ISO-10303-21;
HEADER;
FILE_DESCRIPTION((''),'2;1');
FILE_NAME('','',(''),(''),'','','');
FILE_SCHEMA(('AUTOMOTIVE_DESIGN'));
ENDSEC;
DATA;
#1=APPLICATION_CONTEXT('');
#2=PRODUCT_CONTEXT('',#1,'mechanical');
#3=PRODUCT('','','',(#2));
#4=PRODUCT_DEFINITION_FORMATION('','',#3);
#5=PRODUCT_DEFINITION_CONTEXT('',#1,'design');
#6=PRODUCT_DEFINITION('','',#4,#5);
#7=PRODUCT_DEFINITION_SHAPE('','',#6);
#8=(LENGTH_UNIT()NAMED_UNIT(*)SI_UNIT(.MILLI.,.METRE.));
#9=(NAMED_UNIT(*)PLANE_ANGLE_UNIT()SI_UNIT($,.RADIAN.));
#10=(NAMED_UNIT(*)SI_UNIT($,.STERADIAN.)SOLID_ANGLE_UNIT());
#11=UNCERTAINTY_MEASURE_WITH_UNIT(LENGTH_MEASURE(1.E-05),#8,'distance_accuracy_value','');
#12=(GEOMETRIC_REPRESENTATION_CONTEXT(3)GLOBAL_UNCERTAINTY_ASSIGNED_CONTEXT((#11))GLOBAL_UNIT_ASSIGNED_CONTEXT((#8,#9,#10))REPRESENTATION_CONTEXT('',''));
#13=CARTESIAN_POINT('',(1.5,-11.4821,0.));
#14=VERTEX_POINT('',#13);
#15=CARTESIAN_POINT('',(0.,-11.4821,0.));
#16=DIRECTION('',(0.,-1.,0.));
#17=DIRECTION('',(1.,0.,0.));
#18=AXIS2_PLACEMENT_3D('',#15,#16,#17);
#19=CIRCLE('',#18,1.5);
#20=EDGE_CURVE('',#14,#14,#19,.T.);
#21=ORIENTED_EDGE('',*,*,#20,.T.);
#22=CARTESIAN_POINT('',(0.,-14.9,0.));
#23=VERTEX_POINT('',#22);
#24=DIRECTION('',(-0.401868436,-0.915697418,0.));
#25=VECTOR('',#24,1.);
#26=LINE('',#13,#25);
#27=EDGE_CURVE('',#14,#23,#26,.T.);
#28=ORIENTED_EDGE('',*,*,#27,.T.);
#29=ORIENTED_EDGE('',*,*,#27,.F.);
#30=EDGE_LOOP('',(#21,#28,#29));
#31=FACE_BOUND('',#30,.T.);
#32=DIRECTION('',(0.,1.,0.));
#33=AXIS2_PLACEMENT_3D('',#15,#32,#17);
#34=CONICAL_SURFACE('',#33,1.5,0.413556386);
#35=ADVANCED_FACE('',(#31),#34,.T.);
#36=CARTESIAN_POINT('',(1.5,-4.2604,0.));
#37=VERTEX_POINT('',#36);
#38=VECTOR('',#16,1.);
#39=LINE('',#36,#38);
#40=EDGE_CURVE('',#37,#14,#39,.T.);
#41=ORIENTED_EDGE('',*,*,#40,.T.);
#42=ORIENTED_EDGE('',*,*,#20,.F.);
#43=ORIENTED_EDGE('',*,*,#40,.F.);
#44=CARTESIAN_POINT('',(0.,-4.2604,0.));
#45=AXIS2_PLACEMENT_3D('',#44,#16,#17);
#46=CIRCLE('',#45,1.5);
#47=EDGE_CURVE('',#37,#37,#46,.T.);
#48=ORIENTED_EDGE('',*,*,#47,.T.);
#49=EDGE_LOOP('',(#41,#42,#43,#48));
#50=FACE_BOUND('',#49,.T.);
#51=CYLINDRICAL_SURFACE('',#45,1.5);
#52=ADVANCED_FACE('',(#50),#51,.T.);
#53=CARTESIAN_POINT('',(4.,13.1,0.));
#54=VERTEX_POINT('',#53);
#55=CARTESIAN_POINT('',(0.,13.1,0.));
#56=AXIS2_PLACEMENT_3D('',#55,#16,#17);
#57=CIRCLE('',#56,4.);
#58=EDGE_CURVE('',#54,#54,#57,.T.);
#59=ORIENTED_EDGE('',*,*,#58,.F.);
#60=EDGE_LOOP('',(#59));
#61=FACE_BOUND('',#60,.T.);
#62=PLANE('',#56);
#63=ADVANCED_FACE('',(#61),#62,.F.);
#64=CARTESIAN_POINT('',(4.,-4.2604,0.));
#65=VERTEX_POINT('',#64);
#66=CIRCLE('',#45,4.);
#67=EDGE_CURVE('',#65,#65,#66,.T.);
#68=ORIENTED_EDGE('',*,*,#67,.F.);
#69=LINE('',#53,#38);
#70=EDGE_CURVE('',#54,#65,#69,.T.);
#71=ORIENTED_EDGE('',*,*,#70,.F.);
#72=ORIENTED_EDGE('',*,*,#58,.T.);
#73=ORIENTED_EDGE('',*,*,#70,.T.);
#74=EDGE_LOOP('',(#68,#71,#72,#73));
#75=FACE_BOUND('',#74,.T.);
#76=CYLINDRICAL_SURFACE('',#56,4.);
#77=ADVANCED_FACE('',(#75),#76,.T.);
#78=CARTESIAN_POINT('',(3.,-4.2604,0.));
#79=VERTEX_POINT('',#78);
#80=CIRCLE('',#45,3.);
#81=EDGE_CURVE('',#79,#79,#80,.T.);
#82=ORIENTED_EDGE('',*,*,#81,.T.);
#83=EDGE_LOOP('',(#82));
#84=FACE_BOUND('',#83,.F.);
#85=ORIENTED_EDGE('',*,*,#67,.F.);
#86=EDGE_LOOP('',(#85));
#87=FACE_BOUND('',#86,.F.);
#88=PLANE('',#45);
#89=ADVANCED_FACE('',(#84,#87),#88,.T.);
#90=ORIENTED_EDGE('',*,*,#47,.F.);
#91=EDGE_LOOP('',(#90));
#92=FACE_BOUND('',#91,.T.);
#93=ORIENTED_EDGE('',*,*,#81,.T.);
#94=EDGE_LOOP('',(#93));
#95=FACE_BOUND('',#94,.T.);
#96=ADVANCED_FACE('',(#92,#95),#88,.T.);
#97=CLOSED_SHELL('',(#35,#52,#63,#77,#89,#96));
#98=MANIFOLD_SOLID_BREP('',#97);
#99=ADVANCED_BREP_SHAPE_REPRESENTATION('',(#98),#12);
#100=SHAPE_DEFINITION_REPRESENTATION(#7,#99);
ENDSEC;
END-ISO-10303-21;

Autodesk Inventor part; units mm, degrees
ref_plane "YZ Plane" through (0, 0, 0) normal (1, 0, 0) x (0, 1, 0)
ref_plane "XZ Plane" through (0, 0, 0) normal (0, 1, 0) x (-1, 0, 0)
ref_plane "XY Plane" through (0, 0, 0) normal (0, 0, 1) x (1, 0, 0)
sketch "스케치1" plane through (0, 0, 0) normal (0, 0, 1) x (1, 0, 0)
  line L0 (0, 14.9) -> (0, -14.9)
  line L1 (3, -4.2604) -> (1.5, -4.2604)
  line L2 (1.5, -4.2604) -> (1.5, -11.4821)
  line L3 (1.5, -11.4821) -> (0, -14.9)
  line L4 (3, -4.2604) -> (4, -4.2604)
  line L5 (0, 13.1) -> (4, 13.1)
  line L6 (4, 13.1) -> (4, -4.2604)
  point P0 (0, 0)
  point P1 (0, 0)
  point P2 (4, 0)
  point P3 (4, 4.4198)
  dimension "d3" = 1.5
  dimension "d5" = 1.5
  dimension "d8" = 14.9
  dimension "d10" = 3.7326
  dimension "d12" = 28
  dimension "d13" = 4
  dimension "d14" = 8.6802
revolve "회전1" add sketch "스케치1" angle 360 about axis through (0, 14.9, 0) along (0, -1, 0)
properties part number "pen"
